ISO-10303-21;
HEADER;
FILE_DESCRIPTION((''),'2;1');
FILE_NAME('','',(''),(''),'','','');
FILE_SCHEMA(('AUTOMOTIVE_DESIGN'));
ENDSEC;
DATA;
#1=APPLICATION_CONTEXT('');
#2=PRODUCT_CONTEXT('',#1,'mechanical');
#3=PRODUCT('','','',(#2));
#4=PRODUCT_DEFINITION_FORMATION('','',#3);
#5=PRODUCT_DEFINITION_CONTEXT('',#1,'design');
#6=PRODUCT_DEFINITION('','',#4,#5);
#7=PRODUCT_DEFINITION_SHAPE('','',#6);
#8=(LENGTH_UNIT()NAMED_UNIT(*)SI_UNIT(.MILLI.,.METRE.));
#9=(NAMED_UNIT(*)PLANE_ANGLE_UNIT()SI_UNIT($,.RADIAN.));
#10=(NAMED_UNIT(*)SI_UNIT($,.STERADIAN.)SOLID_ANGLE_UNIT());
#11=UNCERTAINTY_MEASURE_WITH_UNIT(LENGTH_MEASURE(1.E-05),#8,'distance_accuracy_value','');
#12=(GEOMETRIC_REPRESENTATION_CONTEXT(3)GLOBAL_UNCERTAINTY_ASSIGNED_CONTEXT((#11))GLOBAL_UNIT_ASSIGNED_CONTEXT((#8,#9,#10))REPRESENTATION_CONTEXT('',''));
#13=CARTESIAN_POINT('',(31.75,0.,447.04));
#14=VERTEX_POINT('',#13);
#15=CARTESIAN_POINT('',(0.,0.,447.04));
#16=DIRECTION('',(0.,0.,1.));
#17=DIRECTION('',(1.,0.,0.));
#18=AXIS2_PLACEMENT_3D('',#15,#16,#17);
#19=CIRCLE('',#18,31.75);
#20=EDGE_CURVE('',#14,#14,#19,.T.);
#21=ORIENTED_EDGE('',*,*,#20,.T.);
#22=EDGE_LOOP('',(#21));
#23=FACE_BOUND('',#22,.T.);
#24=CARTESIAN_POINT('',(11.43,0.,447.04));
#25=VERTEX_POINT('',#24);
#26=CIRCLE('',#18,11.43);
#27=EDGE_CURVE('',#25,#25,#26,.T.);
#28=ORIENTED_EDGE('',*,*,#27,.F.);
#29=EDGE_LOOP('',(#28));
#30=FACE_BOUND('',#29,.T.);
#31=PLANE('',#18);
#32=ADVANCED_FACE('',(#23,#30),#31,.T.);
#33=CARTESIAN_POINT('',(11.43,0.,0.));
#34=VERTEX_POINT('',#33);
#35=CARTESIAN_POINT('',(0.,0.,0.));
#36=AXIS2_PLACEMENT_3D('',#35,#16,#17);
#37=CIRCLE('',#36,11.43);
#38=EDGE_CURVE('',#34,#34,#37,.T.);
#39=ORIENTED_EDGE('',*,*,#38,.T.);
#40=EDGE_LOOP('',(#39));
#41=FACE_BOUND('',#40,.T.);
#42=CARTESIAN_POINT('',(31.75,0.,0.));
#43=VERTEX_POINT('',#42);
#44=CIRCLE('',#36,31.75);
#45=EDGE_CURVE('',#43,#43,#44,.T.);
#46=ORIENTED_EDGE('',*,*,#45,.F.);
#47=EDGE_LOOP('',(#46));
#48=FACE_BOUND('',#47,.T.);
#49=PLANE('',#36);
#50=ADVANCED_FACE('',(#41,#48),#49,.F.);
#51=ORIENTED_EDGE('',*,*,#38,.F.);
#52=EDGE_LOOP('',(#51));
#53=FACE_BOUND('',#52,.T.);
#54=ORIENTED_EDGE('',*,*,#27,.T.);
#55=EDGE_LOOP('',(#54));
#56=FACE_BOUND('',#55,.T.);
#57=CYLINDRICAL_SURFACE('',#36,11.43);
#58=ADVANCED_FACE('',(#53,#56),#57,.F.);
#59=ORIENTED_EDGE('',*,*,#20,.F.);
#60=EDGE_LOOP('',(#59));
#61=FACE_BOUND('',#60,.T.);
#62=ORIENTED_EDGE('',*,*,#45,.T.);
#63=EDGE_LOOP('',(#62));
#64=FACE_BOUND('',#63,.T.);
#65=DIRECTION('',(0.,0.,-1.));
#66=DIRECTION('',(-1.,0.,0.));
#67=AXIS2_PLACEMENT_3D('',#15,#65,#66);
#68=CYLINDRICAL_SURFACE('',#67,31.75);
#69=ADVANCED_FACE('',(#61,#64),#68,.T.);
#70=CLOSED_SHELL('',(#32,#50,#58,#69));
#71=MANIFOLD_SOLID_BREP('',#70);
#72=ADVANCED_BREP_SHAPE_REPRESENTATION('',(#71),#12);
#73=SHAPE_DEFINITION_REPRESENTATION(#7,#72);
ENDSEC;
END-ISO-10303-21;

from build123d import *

# Parameters (mm, degrees)
SKETCH1_R           = 31.75
BOSS_EXTRUDE1_DEPTH = 447.04
SKETCH2_R           = 11.43
CUT_EXTRUDE1_DEPTH  = 448.04


with BuildPart() as part:
    # Sketch1 → Boss-Extrude1 (new body)
    with BuildSketch(Plane.XY):
        Circle(SKETCH1_R)
    extrude(amount=BOSS_EXTRUDE1_DEPTH)

    # Sketch2 → Cut-Extrude1 (cut, through all)
    with BuildSketch(Plane.XY.offset(447.04)):
        Circle(SKETCH2_R)
    extrude(amount=-CUT_EXTRUDE1_DEPTH, mode=Mode.SUBTRACT)


solid = part.part
